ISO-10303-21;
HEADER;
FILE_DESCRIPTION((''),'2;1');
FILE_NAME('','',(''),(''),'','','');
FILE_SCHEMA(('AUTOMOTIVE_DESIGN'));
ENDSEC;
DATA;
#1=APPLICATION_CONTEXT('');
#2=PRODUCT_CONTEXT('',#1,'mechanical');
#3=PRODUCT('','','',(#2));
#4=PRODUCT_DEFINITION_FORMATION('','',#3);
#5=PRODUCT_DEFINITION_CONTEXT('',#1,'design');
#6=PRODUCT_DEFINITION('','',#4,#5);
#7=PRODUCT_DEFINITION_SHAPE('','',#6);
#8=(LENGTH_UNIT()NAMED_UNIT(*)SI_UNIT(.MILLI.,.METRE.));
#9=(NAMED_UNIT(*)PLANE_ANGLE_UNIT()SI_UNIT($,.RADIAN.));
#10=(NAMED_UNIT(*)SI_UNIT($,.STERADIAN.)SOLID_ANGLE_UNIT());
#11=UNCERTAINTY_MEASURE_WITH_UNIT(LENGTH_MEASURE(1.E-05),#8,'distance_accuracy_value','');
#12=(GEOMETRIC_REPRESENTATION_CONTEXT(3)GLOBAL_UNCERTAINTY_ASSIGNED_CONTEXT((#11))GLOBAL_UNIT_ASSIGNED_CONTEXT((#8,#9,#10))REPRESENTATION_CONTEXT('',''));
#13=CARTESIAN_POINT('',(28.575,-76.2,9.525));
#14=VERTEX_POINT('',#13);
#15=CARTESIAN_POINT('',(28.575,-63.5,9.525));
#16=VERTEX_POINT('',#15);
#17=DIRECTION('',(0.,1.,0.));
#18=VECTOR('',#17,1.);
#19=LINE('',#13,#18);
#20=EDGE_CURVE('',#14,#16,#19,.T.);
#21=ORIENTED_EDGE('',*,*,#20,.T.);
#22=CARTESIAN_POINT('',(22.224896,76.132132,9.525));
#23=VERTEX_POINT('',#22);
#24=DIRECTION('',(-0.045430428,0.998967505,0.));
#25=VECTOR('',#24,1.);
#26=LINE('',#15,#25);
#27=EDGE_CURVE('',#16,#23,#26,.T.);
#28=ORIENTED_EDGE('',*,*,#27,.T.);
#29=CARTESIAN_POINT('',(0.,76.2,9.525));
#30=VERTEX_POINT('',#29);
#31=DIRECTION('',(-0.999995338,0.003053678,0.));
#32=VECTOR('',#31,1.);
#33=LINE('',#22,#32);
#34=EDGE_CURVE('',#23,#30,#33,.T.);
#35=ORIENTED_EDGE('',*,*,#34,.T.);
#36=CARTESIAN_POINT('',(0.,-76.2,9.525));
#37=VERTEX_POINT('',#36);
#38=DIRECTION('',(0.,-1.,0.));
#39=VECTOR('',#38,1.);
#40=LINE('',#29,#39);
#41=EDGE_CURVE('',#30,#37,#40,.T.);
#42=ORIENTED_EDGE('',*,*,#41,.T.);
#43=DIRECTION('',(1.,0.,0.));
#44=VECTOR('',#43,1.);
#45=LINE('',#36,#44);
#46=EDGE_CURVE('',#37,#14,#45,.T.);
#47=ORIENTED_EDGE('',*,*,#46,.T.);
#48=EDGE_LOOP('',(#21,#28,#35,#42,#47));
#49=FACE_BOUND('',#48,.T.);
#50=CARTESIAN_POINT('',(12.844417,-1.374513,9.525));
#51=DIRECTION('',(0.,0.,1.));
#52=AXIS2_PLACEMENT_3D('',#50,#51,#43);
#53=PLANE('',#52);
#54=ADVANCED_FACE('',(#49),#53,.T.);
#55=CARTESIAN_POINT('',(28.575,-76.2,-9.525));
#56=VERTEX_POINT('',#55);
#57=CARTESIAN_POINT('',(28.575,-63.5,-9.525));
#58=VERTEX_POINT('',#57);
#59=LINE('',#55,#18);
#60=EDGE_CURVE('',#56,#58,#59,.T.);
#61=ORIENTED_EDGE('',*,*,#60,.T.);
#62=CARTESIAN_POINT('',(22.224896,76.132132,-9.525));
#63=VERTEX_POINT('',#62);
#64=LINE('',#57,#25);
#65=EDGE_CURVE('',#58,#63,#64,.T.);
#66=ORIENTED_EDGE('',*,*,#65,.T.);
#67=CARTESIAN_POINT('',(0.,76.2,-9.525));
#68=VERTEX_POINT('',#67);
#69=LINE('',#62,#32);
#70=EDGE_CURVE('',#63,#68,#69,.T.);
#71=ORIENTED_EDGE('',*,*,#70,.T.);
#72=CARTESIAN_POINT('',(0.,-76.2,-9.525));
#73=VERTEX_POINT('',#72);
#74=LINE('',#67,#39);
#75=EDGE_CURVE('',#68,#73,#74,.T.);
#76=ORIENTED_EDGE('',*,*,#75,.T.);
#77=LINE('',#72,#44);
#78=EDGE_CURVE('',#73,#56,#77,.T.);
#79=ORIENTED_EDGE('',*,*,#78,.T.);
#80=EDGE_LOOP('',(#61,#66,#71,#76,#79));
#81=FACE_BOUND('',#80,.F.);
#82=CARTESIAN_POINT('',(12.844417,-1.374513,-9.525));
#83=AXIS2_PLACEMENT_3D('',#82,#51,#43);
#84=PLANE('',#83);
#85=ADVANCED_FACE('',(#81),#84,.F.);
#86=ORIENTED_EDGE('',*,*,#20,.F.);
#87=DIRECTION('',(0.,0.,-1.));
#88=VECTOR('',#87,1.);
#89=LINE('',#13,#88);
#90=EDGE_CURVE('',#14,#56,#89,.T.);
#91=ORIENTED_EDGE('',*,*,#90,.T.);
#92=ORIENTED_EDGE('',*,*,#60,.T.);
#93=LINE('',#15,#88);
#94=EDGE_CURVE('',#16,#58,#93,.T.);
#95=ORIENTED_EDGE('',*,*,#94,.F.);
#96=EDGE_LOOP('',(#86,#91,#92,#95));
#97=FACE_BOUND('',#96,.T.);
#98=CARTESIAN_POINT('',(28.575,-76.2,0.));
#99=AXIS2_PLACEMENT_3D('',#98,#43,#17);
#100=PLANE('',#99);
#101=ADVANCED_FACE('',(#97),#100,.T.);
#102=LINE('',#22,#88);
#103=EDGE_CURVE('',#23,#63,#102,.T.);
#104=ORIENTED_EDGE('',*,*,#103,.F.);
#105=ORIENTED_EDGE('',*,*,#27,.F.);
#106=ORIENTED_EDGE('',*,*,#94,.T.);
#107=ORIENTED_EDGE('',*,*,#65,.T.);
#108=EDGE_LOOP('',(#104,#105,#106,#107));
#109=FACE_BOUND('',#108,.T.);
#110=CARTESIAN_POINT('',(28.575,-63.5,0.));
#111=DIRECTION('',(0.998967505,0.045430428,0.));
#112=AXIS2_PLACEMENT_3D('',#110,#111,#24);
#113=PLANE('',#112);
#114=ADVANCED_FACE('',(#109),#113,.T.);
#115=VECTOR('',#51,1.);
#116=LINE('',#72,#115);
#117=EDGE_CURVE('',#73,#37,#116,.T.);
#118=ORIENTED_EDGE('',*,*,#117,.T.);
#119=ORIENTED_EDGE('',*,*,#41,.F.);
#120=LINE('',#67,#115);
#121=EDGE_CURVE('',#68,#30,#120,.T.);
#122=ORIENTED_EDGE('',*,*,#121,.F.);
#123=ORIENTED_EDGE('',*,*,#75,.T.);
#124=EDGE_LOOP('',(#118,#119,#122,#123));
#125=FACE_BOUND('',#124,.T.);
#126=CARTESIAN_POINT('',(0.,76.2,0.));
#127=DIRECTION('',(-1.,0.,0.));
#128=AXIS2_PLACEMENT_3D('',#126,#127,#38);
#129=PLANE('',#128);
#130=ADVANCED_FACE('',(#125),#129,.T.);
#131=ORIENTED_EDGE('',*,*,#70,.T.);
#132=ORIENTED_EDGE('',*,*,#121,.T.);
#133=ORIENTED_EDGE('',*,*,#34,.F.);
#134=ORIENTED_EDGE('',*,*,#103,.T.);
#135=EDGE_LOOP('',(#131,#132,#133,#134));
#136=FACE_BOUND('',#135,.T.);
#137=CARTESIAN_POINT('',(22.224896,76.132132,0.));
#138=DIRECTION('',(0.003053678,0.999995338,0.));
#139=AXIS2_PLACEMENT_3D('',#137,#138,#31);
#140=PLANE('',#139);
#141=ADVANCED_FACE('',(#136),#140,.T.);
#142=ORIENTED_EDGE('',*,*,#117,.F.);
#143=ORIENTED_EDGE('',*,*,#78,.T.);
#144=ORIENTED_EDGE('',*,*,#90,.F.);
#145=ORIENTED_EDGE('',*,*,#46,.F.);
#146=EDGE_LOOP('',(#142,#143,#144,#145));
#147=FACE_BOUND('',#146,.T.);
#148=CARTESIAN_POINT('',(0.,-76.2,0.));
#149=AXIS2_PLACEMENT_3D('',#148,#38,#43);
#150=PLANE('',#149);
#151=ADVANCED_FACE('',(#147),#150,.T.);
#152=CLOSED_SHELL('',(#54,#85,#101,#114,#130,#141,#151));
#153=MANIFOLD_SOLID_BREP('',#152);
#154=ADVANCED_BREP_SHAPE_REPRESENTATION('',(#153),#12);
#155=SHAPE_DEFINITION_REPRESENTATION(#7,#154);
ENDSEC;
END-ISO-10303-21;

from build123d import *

# Parameters (mm, degrees)
F1_DEPTH      = 9.525
F1_DEPTH_BACK = 9.525


with BuildPart() as f1:
    # F0 (on Top) → F1 (new body, two sides)
    with BuildSketch(Plane.XY) as f1_sk:
        Polygon((22.224896, 76.132132), (0, 76.2), (0, -76.2), (28.575, -76.2), (28.575, -63.5), align=None)
    extrude(amount=F1_DEPTH)
    extrude(f1_sk.sketch, amount=-F1_DEPTH_BACK)


solid = f1.part
